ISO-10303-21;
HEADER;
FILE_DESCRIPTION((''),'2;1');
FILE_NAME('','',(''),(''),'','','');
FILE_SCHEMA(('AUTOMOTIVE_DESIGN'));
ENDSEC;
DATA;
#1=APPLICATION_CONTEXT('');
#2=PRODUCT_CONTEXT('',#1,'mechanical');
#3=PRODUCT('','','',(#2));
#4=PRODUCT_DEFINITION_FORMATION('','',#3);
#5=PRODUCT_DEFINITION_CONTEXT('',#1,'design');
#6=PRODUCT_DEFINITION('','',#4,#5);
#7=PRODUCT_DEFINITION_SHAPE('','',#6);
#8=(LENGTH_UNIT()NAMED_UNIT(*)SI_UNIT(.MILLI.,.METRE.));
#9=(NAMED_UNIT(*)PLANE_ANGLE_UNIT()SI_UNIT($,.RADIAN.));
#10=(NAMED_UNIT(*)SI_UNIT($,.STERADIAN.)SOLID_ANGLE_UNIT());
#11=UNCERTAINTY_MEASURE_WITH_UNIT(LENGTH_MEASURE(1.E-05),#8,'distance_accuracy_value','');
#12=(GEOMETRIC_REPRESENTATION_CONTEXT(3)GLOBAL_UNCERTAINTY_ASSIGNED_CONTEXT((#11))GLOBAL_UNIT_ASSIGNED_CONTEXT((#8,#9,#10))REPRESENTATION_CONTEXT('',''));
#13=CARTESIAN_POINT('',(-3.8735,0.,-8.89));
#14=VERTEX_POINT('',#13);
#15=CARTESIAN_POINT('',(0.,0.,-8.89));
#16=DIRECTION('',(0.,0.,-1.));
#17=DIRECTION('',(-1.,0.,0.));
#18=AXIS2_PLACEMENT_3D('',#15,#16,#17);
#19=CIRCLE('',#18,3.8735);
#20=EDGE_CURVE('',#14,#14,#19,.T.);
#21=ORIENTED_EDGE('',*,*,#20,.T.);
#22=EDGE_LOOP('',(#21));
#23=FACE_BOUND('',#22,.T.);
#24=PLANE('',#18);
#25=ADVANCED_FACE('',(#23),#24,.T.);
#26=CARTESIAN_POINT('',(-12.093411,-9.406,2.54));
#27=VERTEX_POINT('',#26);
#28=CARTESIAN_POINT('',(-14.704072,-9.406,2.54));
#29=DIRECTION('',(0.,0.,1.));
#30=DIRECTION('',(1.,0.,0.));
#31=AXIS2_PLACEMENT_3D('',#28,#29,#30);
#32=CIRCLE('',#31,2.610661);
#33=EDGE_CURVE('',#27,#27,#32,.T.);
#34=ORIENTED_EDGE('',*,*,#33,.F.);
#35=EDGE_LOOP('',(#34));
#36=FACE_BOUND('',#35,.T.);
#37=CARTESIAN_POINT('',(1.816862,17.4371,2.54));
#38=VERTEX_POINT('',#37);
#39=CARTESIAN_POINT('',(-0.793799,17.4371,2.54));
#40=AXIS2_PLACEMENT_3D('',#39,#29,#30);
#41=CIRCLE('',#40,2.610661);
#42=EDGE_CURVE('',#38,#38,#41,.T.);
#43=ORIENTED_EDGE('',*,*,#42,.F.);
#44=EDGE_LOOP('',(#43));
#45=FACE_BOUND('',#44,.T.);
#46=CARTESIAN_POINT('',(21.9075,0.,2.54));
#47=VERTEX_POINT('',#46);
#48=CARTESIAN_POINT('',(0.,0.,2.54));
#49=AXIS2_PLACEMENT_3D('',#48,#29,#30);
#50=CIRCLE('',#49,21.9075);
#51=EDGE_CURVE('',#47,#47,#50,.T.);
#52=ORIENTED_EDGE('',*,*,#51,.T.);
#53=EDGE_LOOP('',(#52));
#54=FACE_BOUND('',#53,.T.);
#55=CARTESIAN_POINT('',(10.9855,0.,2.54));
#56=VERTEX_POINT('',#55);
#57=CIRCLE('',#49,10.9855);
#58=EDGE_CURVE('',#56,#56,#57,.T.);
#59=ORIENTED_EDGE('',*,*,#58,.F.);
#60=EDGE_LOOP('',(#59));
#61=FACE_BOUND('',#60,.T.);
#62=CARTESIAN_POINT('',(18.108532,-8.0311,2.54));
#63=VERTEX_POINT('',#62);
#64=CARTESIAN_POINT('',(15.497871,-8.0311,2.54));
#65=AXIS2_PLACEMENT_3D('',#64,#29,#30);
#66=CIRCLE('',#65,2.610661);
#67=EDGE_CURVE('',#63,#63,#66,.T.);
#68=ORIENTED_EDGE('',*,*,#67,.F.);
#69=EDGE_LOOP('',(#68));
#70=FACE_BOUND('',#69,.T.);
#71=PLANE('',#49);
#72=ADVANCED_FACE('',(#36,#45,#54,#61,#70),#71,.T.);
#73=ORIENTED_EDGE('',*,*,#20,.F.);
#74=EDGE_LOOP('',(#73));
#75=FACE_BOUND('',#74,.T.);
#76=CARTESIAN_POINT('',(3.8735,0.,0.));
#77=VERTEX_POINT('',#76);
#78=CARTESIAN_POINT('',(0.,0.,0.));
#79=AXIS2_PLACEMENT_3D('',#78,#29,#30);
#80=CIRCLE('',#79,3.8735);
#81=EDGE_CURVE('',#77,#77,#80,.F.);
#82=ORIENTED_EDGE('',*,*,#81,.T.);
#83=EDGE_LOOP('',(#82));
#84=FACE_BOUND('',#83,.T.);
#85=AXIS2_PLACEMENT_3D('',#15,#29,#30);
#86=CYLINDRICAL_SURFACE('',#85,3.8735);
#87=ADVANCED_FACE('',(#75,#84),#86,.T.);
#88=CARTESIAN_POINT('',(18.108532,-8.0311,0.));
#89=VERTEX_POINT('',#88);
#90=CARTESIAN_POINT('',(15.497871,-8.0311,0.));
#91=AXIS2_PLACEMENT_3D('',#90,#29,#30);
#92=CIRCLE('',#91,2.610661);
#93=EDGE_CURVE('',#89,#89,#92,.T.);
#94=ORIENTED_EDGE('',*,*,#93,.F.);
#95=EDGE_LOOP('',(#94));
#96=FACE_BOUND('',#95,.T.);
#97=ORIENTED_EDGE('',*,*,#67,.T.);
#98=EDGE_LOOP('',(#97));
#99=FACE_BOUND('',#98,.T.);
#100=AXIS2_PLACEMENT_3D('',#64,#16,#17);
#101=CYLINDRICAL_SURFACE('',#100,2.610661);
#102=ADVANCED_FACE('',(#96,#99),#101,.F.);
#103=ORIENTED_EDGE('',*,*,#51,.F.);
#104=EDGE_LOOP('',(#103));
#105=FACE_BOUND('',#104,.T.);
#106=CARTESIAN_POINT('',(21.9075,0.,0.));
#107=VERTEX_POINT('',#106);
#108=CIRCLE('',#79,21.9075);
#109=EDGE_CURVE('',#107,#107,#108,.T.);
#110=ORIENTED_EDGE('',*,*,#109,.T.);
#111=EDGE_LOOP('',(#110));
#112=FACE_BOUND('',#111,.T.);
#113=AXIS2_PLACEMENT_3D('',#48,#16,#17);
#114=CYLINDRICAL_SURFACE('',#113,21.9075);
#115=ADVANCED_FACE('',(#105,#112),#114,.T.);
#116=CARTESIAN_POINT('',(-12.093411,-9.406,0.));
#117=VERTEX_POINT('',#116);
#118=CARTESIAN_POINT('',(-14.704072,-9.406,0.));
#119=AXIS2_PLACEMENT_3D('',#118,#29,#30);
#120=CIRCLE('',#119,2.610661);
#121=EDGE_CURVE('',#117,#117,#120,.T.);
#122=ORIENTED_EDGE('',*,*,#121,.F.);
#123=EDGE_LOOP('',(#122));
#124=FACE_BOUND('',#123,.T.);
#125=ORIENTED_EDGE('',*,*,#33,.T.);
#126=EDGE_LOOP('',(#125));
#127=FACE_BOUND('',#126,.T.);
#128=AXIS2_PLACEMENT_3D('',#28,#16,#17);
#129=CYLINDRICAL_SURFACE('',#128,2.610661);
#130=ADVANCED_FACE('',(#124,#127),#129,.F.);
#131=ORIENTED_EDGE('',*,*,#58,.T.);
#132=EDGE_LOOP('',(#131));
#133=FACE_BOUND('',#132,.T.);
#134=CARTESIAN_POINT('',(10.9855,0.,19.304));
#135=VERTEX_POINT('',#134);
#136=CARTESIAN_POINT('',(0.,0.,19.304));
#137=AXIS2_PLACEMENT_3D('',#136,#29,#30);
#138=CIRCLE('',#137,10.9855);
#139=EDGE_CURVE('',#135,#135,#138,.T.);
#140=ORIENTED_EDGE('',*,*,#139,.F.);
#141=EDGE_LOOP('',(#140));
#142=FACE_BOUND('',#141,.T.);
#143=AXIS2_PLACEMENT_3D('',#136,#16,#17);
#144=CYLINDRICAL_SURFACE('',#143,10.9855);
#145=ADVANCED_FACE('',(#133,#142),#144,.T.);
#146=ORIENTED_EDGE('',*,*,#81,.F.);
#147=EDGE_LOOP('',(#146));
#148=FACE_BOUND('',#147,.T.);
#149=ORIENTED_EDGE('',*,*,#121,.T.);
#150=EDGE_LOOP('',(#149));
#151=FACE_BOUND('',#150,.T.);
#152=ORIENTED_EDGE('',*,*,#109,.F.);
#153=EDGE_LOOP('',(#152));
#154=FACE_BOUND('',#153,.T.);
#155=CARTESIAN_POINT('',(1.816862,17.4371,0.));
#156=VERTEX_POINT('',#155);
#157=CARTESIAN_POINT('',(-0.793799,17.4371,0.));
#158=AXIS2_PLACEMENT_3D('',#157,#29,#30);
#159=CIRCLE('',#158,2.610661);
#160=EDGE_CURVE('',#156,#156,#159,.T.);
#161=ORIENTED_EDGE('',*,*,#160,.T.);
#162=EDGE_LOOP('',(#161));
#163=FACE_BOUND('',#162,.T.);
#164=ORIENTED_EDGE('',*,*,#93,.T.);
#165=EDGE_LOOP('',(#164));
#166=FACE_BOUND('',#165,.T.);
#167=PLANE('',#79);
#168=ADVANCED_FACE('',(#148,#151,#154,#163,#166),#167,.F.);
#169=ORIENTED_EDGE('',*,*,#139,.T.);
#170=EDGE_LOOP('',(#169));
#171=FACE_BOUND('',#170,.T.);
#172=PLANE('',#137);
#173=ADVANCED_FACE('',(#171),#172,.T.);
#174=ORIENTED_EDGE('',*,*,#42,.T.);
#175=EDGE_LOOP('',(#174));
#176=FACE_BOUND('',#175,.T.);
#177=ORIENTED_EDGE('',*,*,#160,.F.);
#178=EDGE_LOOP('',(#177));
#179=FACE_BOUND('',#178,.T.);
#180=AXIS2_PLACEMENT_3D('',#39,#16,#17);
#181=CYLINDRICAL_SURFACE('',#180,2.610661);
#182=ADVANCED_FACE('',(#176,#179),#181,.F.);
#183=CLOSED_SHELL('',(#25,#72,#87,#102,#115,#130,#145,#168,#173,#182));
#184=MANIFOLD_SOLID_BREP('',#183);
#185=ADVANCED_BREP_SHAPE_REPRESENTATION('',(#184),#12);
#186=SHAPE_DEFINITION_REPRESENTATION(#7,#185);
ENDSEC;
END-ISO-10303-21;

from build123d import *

# Parameters (mm, degrees)
SKETCH1_R           = 21.9075
SKETCH1_R_2         = 2.610660844
BOSS_EXTRUDE1_DEPTH = 2.54
SKETCH2_R           = 3.8735
BOSS_EXTRUDE2_DEPTH = 8.89
SKETCH3_R           = 10.9855
BOSS_EXTRUDE4_DEPTH = 16.764


with BuildPart() as part:
    # Sketch1 → Boss-Extrude1 (new body)
    with BuildSketch(Plane.XY):
        Circle(SKETCH1_R)
        with Locations((-0.793799024, 17.4371)):
            Circle(SKETCH1_R_2, mode=Mode.SUBTRACT)
        with Locations((15.49787108, -8.03109988)):
            Circle(SKETCH1_R_2, mode=Mode.SUBTRACT)
        with Locations((-14.704072056, -9.40600012)):
            Circle(SKETCH1_R_2, mode=Mode.SUBTRACT)
    extrude(amount=BOSS_EXTRUDE1_DEPTH)

    # Sketch2 → Boss-Extrude2 (add)
    with BuildSketch(Plane(origin=(0, 0, 0), x_dir=(-1, 0, 0), z_dir=(0, 0, -1))):
        with Locations(Location((0, 0, 0), (0, 0, 180))):
            Circle(SKETCH2_R)
    extrude(amount=BOSS_EXTRUDE2_DEPTH)

    # Sketch3 → Boss-Extrude4 (add)
    with BuildSketch(Plane.XY.offset(2.54)):
        Circle(SKETCH3_R)
    extrude(amount=BOSS_EXTRUDE4_DEPTH)


solid = part.part
